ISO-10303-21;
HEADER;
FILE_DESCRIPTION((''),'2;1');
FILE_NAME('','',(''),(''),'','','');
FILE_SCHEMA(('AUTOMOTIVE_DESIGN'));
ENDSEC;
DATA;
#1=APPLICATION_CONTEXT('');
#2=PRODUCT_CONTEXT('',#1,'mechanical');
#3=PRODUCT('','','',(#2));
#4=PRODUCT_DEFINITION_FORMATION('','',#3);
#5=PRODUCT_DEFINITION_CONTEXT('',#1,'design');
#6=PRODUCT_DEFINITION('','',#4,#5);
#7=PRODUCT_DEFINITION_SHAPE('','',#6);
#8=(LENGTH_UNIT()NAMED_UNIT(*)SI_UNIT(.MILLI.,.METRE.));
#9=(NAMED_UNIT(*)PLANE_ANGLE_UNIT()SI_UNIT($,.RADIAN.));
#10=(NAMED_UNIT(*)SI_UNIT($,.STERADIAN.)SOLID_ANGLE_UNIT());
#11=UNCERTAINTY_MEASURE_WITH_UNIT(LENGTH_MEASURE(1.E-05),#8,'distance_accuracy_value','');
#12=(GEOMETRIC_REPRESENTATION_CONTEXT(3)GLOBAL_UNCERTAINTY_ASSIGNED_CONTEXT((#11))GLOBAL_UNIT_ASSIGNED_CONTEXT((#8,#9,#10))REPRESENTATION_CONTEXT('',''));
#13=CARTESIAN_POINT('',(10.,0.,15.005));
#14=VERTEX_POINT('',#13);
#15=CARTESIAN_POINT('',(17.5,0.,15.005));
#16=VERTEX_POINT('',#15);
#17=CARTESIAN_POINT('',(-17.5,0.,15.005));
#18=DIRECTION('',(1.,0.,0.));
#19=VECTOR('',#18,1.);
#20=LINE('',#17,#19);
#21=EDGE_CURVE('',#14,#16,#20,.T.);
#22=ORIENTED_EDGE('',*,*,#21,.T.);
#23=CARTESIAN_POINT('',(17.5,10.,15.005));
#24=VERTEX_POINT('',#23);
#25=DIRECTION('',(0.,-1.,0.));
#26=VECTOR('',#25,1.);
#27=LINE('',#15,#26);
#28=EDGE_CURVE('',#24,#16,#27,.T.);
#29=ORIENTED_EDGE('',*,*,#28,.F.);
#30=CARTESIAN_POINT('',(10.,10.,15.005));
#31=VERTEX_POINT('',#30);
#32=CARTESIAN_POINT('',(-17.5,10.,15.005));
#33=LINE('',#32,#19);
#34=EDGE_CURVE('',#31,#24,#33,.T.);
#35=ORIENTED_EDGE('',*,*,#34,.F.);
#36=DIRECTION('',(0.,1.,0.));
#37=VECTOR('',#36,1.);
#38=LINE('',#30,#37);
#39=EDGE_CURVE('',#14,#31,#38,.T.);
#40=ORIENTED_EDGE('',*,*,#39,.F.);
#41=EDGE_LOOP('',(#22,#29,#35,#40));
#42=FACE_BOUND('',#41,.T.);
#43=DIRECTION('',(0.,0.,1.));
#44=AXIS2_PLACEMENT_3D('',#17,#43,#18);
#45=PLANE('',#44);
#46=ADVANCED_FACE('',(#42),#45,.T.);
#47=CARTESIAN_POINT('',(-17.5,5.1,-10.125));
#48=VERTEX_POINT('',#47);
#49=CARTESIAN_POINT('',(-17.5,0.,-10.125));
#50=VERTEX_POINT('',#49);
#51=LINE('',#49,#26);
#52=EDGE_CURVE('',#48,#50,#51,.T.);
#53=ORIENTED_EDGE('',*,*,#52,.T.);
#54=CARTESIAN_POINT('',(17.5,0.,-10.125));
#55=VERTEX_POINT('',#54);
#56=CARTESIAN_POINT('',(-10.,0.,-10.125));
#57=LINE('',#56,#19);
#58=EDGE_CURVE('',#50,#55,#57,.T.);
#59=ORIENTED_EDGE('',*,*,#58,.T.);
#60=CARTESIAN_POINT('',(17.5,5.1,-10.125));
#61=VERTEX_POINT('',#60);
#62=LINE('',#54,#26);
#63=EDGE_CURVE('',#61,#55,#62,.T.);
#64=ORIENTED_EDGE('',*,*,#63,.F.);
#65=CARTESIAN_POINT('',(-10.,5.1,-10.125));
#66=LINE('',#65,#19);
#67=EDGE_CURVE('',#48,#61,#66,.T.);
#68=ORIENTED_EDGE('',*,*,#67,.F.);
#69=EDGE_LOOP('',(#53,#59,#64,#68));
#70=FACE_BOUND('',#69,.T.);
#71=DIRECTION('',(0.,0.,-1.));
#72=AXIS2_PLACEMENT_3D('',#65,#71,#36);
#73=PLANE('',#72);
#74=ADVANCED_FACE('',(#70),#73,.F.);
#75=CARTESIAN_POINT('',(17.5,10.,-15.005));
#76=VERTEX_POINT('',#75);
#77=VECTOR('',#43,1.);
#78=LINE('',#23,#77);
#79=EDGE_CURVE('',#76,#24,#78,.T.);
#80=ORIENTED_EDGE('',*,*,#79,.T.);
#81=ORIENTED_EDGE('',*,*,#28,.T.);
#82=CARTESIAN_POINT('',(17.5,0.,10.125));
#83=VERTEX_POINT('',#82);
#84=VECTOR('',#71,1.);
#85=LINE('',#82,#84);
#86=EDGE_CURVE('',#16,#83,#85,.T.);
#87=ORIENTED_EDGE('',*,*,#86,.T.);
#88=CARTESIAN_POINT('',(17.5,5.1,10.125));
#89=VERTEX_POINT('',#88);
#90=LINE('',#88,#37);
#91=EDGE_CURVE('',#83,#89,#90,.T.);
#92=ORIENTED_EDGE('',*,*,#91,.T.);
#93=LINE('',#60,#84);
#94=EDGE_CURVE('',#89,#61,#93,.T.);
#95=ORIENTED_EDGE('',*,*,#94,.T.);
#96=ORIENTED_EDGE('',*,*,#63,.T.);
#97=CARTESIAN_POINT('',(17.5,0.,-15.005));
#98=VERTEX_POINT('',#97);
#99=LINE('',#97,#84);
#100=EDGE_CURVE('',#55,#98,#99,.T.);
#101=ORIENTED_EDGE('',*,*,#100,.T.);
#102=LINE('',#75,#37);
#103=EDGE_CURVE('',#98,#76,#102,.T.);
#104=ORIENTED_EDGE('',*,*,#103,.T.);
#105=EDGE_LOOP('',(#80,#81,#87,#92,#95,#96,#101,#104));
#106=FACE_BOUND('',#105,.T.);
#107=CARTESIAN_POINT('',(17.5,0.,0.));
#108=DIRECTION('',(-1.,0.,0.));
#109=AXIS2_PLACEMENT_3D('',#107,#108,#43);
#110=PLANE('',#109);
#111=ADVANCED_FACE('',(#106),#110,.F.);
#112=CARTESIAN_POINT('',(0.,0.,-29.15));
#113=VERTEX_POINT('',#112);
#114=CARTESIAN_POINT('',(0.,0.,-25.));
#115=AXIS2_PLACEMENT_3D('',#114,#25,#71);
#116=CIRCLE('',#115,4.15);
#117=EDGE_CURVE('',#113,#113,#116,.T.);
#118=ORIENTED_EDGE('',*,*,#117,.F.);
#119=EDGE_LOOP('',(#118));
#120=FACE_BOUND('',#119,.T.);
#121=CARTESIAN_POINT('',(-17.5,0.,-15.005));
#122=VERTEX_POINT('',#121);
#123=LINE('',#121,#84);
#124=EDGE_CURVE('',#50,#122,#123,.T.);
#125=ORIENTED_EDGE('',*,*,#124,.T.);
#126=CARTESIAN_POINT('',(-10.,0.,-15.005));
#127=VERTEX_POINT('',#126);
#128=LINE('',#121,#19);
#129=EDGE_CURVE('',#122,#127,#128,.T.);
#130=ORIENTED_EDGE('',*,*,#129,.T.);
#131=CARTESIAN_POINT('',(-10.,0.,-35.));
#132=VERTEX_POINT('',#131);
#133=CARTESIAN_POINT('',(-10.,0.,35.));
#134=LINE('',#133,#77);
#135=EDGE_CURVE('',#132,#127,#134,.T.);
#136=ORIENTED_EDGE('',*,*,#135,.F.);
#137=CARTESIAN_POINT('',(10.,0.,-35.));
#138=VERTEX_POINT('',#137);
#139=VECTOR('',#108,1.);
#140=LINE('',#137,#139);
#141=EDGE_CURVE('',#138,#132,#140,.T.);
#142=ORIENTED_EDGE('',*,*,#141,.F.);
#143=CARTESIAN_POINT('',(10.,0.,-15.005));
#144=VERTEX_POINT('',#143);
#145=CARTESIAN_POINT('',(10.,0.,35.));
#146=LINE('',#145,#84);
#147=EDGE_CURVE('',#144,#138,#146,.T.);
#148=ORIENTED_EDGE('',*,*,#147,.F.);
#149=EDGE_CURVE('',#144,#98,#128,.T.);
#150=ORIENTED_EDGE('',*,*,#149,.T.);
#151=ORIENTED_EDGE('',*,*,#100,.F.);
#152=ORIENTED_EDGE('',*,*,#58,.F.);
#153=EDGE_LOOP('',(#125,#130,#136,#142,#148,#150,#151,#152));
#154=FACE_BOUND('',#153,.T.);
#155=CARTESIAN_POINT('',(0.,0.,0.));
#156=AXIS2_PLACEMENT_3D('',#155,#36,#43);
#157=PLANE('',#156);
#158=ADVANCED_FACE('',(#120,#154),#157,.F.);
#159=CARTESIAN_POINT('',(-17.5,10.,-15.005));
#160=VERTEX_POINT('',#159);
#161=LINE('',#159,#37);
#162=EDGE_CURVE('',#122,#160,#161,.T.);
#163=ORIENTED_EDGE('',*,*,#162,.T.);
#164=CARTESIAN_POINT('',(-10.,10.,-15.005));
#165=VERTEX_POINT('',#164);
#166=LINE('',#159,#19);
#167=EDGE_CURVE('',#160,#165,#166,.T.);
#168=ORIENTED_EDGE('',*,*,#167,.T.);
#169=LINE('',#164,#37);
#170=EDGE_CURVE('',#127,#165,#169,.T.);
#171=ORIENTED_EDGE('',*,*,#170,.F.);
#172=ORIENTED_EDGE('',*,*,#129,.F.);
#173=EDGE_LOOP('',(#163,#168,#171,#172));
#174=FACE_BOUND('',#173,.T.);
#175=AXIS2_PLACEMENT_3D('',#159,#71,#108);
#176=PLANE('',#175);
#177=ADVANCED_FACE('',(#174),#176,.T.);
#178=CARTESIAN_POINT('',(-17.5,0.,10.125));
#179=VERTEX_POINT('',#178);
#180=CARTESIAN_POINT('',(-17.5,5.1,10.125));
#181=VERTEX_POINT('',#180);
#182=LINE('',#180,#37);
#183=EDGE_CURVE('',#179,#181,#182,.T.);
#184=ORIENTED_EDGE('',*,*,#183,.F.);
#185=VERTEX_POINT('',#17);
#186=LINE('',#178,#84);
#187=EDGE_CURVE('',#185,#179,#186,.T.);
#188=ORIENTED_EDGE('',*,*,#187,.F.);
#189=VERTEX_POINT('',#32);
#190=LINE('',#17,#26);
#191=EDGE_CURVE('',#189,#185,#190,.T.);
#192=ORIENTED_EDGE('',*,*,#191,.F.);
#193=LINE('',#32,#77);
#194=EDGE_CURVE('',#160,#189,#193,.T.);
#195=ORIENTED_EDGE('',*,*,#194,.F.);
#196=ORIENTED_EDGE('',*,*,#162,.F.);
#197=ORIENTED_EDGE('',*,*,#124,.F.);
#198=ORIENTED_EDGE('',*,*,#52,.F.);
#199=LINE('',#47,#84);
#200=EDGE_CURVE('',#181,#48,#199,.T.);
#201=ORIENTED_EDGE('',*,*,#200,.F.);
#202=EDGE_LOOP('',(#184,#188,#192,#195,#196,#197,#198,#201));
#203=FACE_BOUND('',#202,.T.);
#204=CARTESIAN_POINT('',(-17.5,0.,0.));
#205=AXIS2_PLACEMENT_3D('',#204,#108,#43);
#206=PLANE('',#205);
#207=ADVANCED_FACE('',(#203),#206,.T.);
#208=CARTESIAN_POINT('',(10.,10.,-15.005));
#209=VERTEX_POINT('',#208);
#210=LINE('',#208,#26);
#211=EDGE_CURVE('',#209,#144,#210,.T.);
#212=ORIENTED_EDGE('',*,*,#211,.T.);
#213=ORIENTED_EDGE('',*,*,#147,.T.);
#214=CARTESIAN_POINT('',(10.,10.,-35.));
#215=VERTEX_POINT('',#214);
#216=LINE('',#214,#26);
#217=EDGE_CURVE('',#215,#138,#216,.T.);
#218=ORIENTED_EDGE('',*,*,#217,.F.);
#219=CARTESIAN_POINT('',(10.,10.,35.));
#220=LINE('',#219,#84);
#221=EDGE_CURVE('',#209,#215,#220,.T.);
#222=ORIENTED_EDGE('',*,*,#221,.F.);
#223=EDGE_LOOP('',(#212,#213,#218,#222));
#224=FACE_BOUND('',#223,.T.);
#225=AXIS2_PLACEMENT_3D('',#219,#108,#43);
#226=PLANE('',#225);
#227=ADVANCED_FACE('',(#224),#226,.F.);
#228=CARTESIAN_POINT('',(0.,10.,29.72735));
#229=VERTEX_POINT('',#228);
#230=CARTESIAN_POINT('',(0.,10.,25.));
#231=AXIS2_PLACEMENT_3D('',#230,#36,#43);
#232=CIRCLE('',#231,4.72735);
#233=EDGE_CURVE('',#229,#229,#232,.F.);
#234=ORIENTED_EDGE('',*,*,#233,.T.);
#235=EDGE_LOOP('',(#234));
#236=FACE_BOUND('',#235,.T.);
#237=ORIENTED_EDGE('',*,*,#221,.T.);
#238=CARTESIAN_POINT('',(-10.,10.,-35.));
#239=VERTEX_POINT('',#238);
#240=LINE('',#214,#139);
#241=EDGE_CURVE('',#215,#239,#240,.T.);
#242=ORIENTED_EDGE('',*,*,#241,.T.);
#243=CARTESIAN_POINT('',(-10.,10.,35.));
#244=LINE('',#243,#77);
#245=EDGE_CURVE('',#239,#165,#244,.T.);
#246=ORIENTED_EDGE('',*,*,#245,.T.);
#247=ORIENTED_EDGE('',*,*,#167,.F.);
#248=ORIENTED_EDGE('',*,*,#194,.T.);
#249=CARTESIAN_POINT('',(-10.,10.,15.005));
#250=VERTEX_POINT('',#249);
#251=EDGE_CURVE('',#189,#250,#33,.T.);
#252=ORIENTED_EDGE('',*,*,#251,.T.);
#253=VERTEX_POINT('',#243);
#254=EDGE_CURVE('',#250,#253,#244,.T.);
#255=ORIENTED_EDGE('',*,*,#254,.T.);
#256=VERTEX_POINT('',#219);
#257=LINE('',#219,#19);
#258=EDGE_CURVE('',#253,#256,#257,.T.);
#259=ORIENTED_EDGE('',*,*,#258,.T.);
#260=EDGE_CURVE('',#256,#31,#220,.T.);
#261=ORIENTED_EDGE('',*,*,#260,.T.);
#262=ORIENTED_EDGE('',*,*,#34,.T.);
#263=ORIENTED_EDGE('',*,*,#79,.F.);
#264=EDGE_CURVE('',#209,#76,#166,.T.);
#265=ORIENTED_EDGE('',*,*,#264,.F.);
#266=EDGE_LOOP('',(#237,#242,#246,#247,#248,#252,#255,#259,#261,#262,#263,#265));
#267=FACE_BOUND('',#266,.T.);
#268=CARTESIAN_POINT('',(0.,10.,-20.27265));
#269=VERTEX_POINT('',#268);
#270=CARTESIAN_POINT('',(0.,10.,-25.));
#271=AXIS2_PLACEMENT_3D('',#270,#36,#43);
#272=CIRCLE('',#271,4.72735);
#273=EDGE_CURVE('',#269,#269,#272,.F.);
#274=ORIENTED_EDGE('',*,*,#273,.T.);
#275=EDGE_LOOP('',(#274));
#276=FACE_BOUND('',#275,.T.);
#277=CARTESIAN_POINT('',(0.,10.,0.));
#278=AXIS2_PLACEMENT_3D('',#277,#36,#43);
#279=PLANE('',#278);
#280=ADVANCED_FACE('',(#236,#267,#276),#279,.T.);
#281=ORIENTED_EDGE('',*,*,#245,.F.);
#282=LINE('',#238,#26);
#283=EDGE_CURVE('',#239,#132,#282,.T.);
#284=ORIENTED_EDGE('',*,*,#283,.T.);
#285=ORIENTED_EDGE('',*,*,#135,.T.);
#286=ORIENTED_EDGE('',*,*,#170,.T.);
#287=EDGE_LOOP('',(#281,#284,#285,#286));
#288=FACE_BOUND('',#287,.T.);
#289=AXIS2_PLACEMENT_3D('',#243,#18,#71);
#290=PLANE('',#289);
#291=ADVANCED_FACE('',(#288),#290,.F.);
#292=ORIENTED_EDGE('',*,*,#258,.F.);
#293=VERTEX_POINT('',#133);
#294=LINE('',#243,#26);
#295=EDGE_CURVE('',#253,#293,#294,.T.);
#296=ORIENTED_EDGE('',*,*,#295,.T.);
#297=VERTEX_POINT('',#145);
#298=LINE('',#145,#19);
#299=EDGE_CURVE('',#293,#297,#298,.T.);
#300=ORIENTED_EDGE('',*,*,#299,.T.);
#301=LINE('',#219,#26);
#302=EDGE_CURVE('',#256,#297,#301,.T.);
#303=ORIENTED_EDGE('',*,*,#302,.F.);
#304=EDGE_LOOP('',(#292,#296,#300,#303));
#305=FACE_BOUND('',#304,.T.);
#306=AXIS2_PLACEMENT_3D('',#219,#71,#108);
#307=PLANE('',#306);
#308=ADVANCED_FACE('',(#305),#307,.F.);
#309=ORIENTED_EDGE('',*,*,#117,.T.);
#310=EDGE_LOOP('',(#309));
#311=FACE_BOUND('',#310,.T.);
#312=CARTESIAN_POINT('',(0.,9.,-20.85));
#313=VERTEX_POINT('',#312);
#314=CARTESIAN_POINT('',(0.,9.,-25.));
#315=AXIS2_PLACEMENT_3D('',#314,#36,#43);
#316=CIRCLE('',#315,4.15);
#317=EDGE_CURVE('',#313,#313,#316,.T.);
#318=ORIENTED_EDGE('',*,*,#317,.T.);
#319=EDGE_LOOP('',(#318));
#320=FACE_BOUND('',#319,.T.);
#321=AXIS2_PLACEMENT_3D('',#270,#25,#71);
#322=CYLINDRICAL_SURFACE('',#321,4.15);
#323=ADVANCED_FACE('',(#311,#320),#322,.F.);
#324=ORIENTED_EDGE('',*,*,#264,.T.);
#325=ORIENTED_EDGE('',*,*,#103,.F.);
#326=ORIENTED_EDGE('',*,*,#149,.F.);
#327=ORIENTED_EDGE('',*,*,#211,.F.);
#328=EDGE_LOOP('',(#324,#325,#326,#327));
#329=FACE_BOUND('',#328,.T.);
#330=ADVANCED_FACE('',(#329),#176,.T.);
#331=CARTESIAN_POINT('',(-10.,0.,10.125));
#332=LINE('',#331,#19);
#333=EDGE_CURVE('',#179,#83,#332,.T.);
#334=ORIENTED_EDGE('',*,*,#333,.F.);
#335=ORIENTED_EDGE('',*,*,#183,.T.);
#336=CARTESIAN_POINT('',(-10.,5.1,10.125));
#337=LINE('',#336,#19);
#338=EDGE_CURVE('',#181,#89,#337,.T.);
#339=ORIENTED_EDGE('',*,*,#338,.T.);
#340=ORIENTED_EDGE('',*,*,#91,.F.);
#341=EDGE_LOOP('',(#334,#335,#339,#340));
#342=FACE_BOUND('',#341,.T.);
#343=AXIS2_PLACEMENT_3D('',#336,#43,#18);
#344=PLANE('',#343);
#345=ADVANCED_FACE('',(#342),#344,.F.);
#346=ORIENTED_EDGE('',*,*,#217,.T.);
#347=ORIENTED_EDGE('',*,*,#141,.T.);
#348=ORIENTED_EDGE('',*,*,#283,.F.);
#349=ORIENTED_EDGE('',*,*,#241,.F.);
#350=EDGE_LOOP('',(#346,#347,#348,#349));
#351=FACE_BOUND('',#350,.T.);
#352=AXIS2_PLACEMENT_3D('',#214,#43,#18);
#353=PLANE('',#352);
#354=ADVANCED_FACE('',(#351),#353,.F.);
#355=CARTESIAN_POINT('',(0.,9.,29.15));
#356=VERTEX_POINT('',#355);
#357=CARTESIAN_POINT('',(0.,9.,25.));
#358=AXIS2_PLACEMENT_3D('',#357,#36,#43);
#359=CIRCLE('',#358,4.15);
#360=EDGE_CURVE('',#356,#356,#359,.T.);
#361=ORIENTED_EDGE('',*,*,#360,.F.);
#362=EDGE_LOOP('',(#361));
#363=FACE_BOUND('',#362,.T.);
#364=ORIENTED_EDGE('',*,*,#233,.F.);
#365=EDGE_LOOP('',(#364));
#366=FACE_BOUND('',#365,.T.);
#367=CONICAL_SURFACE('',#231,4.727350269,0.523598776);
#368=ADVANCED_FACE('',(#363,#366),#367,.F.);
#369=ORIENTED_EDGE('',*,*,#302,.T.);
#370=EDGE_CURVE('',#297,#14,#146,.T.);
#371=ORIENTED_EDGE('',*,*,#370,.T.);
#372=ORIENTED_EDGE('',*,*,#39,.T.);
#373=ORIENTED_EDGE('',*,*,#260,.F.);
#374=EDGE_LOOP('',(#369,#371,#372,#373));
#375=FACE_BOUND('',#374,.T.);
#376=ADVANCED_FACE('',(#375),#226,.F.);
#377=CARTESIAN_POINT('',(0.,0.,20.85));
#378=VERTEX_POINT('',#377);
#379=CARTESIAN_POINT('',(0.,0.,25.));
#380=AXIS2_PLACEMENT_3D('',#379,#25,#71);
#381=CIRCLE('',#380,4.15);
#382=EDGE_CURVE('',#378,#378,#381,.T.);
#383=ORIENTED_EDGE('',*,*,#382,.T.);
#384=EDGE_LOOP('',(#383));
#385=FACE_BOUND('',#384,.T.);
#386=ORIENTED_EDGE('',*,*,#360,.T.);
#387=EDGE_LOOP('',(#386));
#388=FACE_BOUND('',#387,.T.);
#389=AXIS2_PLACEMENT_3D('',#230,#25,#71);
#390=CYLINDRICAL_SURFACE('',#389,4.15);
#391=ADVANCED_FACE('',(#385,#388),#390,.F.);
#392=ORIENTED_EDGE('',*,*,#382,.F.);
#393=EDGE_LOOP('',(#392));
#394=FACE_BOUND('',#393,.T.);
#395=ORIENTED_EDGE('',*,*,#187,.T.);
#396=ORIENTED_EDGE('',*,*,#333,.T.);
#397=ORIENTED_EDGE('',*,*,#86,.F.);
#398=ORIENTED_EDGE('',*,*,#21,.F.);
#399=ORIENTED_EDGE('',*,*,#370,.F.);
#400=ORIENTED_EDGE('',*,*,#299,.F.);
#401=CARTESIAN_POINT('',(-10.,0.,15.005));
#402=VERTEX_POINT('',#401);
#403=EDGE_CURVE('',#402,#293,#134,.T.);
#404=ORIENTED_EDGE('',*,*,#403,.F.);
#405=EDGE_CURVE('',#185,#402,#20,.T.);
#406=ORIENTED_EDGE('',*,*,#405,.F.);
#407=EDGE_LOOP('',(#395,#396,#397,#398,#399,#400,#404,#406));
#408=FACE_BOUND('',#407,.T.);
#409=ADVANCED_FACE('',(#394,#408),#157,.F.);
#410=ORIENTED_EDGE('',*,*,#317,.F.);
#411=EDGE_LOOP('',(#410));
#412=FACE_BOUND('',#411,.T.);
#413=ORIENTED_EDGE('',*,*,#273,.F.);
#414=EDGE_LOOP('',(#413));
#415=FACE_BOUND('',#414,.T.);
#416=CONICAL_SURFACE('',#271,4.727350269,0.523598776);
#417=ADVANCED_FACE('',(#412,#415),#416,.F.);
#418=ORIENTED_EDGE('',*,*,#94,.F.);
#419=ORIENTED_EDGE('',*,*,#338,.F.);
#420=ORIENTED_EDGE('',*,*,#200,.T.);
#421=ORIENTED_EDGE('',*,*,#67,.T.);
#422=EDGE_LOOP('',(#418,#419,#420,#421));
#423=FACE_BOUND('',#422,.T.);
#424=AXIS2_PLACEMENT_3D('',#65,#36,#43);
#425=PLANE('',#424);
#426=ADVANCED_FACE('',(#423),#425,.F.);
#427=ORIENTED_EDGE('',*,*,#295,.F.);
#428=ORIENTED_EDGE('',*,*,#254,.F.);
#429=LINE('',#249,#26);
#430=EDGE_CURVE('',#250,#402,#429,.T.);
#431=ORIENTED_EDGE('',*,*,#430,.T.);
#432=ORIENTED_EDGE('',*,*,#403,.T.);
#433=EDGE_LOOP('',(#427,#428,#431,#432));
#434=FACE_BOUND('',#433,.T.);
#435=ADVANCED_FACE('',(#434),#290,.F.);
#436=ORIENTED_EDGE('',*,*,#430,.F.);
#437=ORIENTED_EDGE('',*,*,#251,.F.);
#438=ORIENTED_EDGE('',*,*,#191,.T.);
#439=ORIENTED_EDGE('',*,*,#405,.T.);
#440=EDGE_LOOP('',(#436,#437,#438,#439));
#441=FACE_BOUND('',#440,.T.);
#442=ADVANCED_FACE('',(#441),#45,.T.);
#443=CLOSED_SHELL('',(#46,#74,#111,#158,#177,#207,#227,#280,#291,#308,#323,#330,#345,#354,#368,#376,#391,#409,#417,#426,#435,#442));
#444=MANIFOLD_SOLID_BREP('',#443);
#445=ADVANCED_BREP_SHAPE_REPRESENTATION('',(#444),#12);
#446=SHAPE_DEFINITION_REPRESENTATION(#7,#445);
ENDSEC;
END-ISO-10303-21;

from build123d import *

# Parameters (mm, degrees)
SKETCH1_W                = 20
SKETCH1_H                = 70
BOSS_EXTRUDE1_DEPTH      = 10
SKETCH2_W                = 20.25
SKETCH2_H                = 5.1
CUT_EXTRUDE1_DEPTH       = 1
CUT_EXTRUDE1_DEPTH_BACK  = 21
SKETCH3_R                = 4.15
CUT_EXTRUDE2_DEPTH       = 11
BOSS_EXTRUDE2_DEPTH      = 7.5
BOSS_EXTRUDE2_DEPTH_BACK = 27.5
CHAMFER1_SIZE            = 1
CHAMFER1_SIZE2           = 0.577350269
CHAMFER1_PART_2_SIZE     = 1
CHAMFER1_PART_2_SIZE2    = 0.577350269


with BuildPart() as part:
    # Sketch1 → Boss-Extrude1 (new body)
    with BuildSketch(Plane(origin=(0, 0, 0), x_dir=(1, 0, 0), z_dir=(0, 1, 0))):
        Rectangle(SKETCH1_W, SKETCH1_H)
    extrude(amount=BOSS_EXTRUDE1_DEPTH)

    # Sketch2 → Cut-Extrude1 (cut, two sides)
    with BuildSketch(Plane(origin=(10, 0, 0), x_dir=(0, 0, -1), z_dir=(1, 0, 0))) as cut_extrude1_sk:
        with Locations((0, 2.55)):
            Rectangle(SKETCH2_W, SKETCH2_H)
    extrude(amount=CUT_EXTRUDE1_DEPTH, mode=Mode.SUBTRACT)
    extrude(cut_extrude1_sk.sketch, amount=-CUT_EXTRUDE1_DEPTH_BACK, mode=Mode.SUBTRACT)

    # Sketch3 → Cut-Extrude2 (cut, through all)
    with BuildSketch(Plane.XZ):
        with Locations(Location((0, 25, 0), (0, 0, 270))):  # turned: the seam where the file's is
            Circle(SKETCH3_R)
        with Locations(Location((0, -25, 0), (0, 0, 270))):  # turned: the seam where the file's is
            Circle(SKETCH3_R)
    extrude(amount=-CUT_EXTRUDE2_DEPTH, mode=Mode.SUBTRACT)

    # Sketch4 → Boss-Extrude2 (add, two sides)
    with BuildSketch(Plane(origin=(10, 0, 0), x_dir=(0, 0, -1), z_dir=(1, 0, 0))) as boss_extrude2_sk:
        Polygon((-10.125, 0), (-15.005, 0), (-15.005, 10), (15.005, 10), (15.005, 0), (10.125, 0), (10.125, 5.1), (-10.125, 5.1), align=None)
    extrude(amount=BOSS_EXTRUDE2_DEPTH)
    extrude(boss_extrude2_sk.sketch, amount=-BOSS_EXTRUDE2_DEPTH_BACK)

    # Chamfer1
    chamfer1_edges = [part.edges().sort_by_distance(p)[0] for p in [
        (0, 10, 29.15),
    ]]
    chamfer1_side = [part.faces().sort_by_distance(p)[0] for p in [
        (0, 5, 29.15),
    ]]
    chamfer(chamfer1_edges, length=CHAMFER1_SIZE, length2=CHAMFER1_SIZE2, reference=chamfer1_side[0])

    # Chamfer1 part 2
    chamfer1_part_2_edges = [part.edges().sort_by_distance(p)[0] for p in [
        (0, 10, -20.85),
    ]]
    chamfer1_part_2_side = [part.faces().sort_by_distance(p)[0] for p in [
        (0, 5, -20.85),
    ]]
    chamfer(chamfer1_part_2_edges, length=CHAMFER1_PART_2_SIZE, length2=CHAMFER1_PART_2_SIZE2, reference=chamfer1_part_2_side[0])


solid = part.part
